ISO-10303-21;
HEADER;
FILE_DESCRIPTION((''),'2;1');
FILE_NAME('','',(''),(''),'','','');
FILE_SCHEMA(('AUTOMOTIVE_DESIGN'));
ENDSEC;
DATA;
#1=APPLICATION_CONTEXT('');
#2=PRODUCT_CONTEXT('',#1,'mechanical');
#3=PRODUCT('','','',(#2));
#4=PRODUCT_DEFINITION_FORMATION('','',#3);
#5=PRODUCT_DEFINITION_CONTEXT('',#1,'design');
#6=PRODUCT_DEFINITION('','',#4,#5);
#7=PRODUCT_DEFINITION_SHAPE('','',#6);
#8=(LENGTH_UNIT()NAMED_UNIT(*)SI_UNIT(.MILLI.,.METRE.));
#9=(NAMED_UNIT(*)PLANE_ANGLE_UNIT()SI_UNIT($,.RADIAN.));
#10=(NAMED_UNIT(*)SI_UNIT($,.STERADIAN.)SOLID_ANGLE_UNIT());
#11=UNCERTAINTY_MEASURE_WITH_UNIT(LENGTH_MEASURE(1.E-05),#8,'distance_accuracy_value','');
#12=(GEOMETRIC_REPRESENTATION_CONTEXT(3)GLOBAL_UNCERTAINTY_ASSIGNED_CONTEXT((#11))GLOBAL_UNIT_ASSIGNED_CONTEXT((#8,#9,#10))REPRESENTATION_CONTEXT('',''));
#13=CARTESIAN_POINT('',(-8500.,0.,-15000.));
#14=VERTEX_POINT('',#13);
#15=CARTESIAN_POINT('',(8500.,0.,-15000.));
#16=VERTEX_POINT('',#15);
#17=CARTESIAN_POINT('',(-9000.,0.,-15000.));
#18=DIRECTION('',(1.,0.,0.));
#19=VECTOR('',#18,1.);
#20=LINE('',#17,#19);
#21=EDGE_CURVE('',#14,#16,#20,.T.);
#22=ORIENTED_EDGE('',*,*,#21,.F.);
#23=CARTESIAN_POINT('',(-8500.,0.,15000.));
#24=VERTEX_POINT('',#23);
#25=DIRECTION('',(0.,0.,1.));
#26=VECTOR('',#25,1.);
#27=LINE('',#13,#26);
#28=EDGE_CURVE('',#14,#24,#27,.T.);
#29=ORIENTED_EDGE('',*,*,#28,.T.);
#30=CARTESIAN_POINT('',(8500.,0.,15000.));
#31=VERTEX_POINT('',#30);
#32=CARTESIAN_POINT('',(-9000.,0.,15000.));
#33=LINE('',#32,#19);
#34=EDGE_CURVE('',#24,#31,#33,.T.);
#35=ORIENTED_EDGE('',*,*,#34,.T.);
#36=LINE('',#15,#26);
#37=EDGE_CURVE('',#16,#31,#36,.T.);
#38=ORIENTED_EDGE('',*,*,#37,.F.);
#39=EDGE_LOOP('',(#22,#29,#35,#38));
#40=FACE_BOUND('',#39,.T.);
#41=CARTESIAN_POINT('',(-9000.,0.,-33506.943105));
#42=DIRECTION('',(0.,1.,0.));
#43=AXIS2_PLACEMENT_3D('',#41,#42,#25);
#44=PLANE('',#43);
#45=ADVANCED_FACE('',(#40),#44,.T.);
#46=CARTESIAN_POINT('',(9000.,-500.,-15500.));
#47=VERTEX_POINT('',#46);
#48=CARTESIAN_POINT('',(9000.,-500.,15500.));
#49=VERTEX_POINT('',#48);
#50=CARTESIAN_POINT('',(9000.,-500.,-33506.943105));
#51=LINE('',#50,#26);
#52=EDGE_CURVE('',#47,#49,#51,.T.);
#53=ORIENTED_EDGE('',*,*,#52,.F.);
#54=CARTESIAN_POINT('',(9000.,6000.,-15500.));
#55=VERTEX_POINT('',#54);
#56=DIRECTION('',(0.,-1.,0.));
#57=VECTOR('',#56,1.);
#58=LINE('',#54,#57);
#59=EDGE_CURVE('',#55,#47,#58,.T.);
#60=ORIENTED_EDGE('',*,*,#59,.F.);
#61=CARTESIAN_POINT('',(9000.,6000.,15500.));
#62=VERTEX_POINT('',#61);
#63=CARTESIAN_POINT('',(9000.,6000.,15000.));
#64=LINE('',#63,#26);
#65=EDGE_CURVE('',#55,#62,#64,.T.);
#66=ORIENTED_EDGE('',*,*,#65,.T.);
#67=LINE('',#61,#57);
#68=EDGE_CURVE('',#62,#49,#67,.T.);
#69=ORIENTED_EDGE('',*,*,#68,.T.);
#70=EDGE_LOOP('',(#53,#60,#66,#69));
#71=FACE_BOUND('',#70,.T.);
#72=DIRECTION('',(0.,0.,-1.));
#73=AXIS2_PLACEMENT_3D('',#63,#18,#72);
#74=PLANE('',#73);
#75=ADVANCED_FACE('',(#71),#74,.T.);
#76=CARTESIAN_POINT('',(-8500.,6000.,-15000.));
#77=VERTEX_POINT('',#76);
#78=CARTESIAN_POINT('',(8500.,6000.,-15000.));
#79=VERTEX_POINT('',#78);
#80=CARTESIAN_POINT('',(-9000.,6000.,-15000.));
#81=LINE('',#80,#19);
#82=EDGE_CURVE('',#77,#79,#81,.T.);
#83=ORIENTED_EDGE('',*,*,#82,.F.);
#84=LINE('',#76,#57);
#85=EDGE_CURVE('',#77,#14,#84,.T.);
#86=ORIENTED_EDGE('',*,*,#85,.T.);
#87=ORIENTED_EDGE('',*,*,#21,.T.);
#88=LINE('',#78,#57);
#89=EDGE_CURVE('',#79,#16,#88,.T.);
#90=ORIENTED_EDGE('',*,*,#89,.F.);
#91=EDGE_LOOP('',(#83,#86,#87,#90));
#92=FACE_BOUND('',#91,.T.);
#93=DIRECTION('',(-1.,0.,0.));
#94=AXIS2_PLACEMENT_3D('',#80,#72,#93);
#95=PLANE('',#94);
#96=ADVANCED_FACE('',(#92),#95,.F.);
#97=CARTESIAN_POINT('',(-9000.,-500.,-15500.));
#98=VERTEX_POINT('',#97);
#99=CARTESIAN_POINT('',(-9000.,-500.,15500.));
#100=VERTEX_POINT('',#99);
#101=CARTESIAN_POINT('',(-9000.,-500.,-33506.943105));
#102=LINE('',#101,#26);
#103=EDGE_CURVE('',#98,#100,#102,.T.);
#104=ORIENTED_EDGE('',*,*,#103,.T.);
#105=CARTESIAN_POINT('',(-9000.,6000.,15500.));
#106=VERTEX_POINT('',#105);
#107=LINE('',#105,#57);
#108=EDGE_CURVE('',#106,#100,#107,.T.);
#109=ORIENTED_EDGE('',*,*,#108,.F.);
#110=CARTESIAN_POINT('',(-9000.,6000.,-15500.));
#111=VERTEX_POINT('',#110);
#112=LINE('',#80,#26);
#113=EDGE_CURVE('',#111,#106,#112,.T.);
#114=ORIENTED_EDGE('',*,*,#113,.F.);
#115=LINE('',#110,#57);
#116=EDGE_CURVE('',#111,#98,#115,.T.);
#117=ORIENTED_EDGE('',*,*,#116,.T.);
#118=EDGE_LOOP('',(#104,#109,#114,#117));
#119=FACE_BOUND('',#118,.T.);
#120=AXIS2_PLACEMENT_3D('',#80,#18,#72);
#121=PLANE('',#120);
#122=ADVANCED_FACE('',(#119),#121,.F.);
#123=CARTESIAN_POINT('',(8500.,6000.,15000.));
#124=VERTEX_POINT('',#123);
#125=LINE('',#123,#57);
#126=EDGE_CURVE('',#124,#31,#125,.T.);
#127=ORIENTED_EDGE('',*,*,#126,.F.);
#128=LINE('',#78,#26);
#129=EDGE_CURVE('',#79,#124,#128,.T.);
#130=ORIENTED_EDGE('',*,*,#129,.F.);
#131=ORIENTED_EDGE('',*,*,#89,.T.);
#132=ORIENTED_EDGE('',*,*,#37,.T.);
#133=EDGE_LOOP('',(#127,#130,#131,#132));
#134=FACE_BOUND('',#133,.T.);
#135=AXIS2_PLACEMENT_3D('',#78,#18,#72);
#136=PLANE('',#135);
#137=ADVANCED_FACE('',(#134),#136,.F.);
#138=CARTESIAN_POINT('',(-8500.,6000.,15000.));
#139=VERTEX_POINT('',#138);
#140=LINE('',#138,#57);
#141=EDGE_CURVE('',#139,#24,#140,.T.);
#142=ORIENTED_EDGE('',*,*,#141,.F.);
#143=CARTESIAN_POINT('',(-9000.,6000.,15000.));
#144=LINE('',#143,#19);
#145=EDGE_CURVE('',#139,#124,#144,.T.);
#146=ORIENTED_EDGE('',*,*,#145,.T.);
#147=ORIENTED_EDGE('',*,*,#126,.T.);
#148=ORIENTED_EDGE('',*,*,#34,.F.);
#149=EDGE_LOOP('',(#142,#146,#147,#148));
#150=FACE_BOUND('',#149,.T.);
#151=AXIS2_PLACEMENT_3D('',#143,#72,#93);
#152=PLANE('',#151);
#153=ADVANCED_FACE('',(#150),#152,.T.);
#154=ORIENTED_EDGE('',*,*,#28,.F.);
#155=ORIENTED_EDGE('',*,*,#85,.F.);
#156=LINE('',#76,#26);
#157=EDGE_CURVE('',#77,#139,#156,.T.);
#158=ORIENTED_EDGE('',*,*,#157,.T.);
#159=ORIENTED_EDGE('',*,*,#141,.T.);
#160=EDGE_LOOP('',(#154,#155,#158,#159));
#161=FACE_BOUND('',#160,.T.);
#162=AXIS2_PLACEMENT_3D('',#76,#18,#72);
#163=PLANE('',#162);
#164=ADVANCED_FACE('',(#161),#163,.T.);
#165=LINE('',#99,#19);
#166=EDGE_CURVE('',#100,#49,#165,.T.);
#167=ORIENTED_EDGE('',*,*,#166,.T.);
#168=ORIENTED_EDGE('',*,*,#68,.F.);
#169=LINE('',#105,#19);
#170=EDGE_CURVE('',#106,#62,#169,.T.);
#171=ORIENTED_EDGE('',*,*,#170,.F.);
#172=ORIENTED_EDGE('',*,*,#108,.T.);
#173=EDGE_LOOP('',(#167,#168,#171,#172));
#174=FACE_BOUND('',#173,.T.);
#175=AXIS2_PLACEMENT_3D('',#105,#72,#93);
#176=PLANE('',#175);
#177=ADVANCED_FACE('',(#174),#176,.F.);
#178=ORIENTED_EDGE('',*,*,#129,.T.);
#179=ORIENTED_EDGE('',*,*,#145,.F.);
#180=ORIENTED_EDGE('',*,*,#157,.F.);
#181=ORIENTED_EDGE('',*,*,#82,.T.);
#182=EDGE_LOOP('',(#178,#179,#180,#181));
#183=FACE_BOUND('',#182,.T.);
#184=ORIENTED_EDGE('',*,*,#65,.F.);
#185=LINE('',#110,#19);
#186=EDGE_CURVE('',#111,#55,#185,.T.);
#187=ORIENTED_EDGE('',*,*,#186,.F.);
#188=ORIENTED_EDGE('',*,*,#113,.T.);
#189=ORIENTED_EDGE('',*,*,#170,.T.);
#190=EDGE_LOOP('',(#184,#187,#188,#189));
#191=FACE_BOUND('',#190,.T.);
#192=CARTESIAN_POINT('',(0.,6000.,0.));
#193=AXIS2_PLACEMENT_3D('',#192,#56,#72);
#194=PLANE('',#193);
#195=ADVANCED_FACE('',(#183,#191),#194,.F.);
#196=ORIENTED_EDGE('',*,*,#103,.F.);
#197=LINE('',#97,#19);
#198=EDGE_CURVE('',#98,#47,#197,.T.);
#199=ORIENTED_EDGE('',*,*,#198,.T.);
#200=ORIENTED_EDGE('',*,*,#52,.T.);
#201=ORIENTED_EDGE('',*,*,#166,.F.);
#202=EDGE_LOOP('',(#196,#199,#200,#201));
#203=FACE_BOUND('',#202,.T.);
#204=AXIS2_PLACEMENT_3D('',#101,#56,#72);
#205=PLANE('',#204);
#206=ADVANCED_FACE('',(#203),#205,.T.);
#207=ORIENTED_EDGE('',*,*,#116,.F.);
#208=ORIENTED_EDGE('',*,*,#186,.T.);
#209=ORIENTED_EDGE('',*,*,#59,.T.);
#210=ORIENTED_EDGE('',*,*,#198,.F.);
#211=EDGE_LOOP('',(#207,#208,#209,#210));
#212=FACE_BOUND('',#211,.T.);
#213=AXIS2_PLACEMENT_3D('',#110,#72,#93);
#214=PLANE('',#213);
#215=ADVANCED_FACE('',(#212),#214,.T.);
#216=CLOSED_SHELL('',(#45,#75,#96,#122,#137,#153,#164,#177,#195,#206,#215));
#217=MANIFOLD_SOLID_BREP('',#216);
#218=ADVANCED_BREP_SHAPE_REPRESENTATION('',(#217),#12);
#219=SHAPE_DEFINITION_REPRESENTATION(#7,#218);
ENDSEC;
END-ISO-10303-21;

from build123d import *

# Parameters (mm, degrees)
SKETCH1_W           = 18000
SKETCH1_H           = 31000
SKETCH1_W_2         = 17000
SKETCH1_H_2         = 30000
BOSS_EXTRUDE2_DEPTH = 6000
SKETCH2_W           = 18000
SKETCH2_H           = 500
BOSS_EXTRUDE3_DEPTH = 31000


with BuildPart() as part:
    # Sketch1 → Boss-Extrude2 (new body)
    with BuildSketch(Plane(origin=(0, 0, 0), x_dir=(1, 0, 0), z_dir=(0, 1, 0))):
        Rectangle(SKETCH1_W, SKETCH1_H)
        Rectangle(SKETCH1_W_2, SKETCH1_H_2, mode=Mode.SUBTRACT)
    extrude(amount=BOSS_EXTRUDE2_DEPTH)

    # Sketch2 → Boss-Extrude3 (add)
    with BuildSketch(Plane.XY.offset(15500)):
        with Locations((0, -250)):
            Rectangle(SKETCH2_W, SKETCH2_H)
    extrude(amount=-BOSS_EXTRUDE3_DEPTH)


solid = part.part
